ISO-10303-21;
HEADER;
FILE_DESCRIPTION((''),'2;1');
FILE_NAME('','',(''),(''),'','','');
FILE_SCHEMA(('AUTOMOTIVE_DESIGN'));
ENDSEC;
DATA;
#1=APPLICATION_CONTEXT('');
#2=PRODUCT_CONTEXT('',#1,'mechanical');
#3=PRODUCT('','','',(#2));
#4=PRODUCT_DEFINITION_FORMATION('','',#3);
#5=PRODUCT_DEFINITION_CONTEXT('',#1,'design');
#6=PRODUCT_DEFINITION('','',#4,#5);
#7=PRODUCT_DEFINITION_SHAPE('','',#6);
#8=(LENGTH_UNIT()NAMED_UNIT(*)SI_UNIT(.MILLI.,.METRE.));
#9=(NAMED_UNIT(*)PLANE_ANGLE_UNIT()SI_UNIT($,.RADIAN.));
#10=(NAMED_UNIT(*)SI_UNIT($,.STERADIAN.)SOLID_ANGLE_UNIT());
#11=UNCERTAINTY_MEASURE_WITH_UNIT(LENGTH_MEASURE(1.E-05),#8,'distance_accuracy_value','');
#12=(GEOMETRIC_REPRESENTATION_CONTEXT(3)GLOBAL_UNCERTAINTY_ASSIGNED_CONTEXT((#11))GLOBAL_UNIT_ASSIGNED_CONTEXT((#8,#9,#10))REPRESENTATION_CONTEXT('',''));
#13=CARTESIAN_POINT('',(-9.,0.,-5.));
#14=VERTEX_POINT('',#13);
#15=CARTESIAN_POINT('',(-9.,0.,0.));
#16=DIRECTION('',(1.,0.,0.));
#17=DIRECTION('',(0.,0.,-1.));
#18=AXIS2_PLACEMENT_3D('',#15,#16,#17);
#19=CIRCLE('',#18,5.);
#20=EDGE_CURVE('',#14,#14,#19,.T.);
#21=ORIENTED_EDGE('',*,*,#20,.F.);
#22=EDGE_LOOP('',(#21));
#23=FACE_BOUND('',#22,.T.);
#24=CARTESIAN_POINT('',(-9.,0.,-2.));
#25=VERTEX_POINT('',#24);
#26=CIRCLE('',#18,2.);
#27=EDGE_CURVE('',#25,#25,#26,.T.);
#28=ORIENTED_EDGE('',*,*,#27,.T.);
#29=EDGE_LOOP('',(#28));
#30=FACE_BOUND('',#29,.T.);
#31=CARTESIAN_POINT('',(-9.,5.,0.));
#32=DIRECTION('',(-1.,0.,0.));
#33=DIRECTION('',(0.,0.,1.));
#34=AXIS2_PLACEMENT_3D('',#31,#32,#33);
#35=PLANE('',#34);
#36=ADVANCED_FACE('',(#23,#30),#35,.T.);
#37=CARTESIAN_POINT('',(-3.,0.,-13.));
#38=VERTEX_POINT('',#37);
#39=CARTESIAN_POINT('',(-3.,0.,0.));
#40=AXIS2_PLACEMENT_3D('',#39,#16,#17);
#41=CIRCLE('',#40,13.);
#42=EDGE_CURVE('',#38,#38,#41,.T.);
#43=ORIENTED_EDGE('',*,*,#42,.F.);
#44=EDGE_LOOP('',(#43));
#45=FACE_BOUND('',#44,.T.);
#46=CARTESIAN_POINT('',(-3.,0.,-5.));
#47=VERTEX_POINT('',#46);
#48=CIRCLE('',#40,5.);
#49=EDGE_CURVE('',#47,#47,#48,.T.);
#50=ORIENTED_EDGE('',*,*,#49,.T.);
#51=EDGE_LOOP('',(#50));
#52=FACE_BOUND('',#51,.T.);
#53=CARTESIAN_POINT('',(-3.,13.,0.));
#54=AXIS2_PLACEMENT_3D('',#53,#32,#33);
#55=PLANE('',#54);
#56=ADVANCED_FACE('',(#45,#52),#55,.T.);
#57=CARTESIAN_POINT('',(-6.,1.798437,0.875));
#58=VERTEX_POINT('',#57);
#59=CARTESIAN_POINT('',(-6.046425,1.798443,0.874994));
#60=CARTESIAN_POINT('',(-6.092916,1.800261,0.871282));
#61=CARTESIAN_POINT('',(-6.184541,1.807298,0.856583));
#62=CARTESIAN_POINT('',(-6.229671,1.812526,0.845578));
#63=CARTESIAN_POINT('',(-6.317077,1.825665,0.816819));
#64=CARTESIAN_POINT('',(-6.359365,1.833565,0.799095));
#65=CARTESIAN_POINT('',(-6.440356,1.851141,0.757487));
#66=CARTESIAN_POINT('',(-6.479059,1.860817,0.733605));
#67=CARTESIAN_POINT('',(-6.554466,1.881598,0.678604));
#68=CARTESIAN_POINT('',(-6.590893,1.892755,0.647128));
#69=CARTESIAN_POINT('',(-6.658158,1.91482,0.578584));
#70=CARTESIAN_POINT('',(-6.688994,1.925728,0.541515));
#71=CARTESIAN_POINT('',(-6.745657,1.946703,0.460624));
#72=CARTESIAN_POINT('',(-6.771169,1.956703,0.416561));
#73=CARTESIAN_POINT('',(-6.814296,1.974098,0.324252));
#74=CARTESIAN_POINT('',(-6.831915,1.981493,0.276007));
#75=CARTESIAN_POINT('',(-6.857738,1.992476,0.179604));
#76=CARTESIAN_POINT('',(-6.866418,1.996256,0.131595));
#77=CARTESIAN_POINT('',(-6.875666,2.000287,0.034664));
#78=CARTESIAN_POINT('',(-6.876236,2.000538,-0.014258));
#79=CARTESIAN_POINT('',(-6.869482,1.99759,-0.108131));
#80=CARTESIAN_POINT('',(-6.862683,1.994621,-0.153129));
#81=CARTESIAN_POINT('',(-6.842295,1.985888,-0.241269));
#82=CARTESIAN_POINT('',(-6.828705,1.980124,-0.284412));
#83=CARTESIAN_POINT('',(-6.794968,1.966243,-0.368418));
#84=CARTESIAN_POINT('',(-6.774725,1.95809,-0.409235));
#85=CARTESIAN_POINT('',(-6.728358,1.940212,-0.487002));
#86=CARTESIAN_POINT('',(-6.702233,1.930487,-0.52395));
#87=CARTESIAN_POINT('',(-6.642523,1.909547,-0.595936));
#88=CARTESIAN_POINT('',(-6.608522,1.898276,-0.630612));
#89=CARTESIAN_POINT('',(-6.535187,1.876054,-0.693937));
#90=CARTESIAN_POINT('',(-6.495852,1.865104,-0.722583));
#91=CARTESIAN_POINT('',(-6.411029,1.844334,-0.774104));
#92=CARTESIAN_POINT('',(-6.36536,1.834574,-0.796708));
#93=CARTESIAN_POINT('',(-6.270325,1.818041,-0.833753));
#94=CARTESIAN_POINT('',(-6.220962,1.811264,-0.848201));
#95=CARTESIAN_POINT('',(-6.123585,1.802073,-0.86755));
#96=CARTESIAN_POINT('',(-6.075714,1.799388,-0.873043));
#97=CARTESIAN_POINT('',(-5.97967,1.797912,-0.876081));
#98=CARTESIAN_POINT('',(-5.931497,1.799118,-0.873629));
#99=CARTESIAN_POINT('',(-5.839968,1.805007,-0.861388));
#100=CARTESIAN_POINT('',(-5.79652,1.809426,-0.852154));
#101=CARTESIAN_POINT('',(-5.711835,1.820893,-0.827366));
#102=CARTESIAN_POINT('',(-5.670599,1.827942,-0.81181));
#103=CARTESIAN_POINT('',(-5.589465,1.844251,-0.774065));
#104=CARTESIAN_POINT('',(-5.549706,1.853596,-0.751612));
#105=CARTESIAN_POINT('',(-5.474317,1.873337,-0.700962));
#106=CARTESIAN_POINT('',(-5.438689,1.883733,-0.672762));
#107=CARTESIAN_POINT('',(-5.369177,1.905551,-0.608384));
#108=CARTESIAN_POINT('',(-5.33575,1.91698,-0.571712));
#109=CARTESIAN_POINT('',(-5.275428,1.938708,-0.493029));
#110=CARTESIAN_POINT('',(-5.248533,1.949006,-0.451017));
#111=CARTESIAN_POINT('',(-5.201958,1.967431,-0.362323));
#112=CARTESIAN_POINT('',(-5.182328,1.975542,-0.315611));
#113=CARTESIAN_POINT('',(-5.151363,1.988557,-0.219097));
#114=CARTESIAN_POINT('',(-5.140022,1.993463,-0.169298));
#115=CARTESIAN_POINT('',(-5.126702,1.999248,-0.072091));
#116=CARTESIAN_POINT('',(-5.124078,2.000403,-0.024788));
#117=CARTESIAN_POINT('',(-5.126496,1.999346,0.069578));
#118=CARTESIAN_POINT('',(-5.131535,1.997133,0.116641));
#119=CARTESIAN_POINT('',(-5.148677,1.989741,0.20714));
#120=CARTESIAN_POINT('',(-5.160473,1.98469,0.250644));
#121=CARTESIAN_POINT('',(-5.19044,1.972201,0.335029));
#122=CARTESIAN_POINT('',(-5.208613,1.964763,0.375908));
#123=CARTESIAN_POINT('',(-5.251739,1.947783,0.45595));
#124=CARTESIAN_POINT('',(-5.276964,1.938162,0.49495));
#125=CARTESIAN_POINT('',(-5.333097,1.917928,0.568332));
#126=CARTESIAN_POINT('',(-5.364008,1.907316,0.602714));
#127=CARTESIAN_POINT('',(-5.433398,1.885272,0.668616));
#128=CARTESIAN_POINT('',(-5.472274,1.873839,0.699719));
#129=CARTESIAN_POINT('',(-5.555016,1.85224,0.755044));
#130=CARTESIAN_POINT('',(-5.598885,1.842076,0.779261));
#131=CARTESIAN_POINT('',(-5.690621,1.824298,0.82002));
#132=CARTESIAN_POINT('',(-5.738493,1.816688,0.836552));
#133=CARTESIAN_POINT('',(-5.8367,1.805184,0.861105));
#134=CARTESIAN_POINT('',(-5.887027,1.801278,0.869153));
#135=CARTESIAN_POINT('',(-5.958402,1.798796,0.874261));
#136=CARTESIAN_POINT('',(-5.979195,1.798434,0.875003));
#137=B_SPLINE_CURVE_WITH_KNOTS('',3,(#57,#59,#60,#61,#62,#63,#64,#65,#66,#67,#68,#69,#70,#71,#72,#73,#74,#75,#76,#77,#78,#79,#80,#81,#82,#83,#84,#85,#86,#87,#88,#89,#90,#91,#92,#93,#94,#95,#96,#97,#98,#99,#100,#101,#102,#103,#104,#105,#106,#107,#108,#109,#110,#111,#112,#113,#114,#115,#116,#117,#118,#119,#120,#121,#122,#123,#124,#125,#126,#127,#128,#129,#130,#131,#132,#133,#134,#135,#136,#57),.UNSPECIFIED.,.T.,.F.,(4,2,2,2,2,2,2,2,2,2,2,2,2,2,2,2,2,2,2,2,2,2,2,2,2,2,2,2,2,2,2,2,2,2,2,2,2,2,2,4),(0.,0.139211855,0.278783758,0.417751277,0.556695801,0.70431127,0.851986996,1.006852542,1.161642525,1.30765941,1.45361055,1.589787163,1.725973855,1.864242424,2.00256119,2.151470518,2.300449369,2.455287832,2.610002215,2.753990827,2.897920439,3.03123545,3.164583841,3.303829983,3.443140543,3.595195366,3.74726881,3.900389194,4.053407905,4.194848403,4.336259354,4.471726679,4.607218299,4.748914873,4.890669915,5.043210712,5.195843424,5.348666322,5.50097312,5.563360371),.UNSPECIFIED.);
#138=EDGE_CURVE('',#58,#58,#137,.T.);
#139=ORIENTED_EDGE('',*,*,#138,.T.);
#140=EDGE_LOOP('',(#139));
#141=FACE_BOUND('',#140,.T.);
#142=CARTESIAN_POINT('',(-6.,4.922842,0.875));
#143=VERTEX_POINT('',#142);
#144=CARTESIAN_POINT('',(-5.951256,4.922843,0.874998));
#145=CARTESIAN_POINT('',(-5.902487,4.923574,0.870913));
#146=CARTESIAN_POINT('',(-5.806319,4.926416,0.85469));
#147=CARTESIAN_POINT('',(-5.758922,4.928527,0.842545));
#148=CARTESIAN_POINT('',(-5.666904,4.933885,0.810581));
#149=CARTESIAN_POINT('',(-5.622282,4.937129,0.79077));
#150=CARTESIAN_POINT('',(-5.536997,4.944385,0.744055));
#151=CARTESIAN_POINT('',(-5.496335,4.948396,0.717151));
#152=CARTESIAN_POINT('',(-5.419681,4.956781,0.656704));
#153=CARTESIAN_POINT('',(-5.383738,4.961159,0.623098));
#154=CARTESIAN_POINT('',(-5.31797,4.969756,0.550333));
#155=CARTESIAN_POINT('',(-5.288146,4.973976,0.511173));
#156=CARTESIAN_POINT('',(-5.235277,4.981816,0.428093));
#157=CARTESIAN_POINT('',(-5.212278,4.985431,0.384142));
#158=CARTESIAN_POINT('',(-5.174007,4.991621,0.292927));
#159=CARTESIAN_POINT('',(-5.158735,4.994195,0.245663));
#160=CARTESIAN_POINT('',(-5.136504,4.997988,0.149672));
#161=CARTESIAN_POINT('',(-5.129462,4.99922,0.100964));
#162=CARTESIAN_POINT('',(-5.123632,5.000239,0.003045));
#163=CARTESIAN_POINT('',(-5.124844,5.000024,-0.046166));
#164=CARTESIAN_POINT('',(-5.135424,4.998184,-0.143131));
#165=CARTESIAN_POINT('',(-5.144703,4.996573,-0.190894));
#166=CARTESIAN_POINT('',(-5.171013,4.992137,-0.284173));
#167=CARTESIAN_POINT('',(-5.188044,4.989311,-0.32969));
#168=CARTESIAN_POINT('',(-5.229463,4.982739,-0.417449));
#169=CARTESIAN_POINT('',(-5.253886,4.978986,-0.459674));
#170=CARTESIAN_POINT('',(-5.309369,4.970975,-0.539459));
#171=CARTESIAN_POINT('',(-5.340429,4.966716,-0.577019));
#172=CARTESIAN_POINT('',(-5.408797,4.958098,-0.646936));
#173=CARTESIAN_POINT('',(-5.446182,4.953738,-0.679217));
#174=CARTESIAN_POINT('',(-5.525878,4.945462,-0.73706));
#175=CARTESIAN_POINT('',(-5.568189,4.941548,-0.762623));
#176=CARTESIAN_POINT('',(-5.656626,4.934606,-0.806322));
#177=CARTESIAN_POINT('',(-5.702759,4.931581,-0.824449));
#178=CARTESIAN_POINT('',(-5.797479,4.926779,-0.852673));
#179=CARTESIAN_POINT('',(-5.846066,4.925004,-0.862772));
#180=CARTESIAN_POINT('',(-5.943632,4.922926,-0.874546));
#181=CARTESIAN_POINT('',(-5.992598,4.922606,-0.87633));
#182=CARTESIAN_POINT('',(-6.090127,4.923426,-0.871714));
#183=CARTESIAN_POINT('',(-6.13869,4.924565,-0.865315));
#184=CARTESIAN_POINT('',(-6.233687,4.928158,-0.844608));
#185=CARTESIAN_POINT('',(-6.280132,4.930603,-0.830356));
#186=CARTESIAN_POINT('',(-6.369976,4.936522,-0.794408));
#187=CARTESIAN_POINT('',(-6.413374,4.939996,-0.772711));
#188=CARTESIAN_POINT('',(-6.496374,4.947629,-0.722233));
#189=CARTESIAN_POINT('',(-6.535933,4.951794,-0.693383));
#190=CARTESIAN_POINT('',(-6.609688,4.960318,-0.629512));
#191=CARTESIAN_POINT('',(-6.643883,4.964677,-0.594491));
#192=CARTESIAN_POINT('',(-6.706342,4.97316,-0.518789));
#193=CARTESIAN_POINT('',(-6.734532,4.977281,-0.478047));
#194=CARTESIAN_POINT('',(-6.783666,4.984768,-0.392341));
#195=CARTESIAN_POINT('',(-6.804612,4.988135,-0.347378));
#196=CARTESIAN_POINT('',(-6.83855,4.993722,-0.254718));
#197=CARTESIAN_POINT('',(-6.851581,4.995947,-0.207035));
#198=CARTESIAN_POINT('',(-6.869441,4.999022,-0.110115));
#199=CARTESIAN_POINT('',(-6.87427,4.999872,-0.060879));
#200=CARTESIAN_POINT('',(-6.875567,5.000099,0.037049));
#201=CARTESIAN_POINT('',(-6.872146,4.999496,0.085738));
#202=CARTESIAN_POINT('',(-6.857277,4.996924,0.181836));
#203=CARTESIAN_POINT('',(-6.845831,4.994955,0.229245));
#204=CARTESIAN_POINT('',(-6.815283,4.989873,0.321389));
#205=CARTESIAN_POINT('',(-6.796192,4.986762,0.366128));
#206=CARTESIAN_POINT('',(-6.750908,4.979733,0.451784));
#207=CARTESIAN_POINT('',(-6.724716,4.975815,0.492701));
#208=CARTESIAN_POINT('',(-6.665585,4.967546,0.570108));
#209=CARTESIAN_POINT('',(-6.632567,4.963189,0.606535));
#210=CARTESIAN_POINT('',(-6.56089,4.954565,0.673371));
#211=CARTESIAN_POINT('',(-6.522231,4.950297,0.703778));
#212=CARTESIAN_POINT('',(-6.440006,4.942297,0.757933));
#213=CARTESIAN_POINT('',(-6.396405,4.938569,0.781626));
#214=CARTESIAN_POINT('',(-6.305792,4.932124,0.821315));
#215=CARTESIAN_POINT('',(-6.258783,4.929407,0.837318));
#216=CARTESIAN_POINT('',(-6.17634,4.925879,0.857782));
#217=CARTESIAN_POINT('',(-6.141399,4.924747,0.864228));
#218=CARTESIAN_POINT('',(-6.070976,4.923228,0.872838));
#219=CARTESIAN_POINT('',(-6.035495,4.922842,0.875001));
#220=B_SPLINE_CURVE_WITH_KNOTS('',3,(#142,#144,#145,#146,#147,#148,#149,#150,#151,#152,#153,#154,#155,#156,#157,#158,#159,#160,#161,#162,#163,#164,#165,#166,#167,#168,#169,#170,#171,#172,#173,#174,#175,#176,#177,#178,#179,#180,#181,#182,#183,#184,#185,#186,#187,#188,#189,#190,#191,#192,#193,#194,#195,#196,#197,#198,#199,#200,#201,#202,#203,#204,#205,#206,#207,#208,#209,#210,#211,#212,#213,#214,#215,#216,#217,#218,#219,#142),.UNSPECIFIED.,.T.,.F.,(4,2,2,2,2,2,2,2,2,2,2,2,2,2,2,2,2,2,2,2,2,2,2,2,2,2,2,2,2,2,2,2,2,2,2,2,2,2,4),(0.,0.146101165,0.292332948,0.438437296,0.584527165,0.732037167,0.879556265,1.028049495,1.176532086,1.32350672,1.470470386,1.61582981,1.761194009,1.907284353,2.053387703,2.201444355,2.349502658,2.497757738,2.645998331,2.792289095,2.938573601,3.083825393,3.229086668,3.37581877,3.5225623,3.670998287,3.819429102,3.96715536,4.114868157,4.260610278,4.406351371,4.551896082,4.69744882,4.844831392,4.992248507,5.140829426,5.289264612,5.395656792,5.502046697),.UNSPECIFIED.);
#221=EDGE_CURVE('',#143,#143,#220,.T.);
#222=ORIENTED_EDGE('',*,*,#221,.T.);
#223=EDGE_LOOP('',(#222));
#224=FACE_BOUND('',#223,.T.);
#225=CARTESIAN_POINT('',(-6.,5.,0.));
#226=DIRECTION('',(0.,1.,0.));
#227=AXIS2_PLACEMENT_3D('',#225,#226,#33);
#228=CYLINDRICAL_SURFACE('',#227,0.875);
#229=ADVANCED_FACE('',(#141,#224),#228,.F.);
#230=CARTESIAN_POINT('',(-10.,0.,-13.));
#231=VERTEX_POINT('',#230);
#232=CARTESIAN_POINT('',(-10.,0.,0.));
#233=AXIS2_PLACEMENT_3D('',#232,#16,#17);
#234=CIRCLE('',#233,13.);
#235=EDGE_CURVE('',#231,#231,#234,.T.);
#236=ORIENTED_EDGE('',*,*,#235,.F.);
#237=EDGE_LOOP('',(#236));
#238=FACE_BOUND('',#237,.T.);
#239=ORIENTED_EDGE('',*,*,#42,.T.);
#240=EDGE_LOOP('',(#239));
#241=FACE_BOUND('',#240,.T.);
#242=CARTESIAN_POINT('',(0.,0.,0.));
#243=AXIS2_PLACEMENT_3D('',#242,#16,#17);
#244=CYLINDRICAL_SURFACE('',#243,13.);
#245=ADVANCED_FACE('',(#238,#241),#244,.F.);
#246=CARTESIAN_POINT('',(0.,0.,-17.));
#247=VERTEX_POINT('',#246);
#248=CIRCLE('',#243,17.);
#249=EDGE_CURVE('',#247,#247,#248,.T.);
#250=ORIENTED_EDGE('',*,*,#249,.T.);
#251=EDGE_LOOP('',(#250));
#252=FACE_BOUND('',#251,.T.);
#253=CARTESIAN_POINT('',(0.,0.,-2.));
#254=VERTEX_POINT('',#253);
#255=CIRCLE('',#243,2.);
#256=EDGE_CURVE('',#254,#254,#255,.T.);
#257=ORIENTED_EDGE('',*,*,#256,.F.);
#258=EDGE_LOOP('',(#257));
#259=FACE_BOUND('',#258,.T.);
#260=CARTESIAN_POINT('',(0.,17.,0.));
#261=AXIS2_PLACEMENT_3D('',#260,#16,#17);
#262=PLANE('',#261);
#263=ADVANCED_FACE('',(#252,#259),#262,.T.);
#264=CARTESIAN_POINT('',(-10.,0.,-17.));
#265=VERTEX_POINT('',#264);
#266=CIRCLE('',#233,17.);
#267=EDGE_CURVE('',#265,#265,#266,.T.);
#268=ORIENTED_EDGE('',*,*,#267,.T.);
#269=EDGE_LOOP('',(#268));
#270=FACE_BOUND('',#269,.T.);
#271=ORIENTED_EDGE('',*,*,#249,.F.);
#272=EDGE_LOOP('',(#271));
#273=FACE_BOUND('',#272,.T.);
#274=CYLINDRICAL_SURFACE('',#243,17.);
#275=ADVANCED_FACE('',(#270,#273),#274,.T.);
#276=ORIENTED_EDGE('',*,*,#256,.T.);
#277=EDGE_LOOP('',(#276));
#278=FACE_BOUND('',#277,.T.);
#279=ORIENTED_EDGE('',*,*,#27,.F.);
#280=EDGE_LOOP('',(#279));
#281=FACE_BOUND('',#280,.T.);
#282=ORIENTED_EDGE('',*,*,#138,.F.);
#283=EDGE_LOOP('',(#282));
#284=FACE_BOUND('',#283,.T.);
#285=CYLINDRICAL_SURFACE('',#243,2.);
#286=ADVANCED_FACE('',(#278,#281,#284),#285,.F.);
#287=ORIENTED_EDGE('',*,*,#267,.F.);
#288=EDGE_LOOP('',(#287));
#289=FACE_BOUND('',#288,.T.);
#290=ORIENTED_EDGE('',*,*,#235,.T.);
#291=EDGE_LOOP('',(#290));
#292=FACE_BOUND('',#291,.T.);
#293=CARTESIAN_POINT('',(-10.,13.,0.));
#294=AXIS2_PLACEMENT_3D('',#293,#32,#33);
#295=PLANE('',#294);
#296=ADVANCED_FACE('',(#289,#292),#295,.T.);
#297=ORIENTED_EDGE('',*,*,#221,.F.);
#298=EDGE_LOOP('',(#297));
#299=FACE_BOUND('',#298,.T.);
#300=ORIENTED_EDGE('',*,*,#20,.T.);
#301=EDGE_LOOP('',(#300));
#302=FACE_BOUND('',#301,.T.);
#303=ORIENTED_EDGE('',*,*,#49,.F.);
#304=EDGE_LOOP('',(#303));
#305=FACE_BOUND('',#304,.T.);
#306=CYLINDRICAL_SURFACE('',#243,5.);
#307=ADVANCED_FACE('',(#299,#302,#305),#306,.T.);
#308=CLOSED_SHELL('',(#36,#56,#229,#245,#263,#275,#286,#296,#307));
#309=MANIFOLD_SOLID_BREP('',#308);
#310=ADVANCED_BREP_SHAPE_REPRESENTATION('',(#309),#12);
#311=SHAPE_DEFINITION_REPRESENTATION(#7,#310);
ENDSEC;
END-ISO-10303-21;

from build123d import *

# Parameters (mm, degrees)
BROCA_DE_ROSQUEAR_PARA_TARRAXA_DE_M2_2X0_REACH = 30.443
BROCA_DE_ROSQUEAR_PARA_TARRAXA_DE_M2_2_R       = 0.875


with BuildPart() as part:
    # Esboço3 → Revolução1 (revolve)
    with BuildSketch(Plane.XY, mode=Mode.PRIVATE) as revolu_o1_sk:
        Polygon((0, 17), (0, 2), (-9, 2), (-9, 5), (-3, 5), (-3, 13), (-10, 13), (-10, 17), align=None)
    revolve(revolu_o1_sk.sketch.rotate(Axis((0, 0, 0), (-1, 0, 0)), 90), axis=Axis((0, 0, 0), (-1, 0, 0)))

    # Broca de rosquear para tarraxa de M2 2 (on position points) → Broca de rosquear para tarraxa de M2.2x0.451 (cut, up to next)
    with BuildSketch(Plane(origin=(-6, 5, 0), x_dir=(0, 0, 1), z_dir=(0, 1, 0)), mode=Mode.PRIVATE) as broca_de_rosquear_para_tarraxa_de_m2_2x0_sk1:
        Circle(BROCA_DE_ROSQUEAR_PARA_TARRAXA_DE_M2_2_R)
    broca_de_rosquear_para_tarraxa_de_m2_2x0_tool1 = extrude(broca_de_rosquear_para_tarraxa_de_m2_2x0_sk1.sketch, amount=-BROCA_DE_ROSQUEAR_PARA_TARRAXA_DE_M2_2X0_REACH, mode=Mode.PRIVATE) & part.part
    add(broca_de_rosquear_para_tarraxa_de_m2_2x0_tool1.solids().sort_by_distance((-6, 5, 0))[0], mode=Mode.SUBTRACT)


solid = part.part
